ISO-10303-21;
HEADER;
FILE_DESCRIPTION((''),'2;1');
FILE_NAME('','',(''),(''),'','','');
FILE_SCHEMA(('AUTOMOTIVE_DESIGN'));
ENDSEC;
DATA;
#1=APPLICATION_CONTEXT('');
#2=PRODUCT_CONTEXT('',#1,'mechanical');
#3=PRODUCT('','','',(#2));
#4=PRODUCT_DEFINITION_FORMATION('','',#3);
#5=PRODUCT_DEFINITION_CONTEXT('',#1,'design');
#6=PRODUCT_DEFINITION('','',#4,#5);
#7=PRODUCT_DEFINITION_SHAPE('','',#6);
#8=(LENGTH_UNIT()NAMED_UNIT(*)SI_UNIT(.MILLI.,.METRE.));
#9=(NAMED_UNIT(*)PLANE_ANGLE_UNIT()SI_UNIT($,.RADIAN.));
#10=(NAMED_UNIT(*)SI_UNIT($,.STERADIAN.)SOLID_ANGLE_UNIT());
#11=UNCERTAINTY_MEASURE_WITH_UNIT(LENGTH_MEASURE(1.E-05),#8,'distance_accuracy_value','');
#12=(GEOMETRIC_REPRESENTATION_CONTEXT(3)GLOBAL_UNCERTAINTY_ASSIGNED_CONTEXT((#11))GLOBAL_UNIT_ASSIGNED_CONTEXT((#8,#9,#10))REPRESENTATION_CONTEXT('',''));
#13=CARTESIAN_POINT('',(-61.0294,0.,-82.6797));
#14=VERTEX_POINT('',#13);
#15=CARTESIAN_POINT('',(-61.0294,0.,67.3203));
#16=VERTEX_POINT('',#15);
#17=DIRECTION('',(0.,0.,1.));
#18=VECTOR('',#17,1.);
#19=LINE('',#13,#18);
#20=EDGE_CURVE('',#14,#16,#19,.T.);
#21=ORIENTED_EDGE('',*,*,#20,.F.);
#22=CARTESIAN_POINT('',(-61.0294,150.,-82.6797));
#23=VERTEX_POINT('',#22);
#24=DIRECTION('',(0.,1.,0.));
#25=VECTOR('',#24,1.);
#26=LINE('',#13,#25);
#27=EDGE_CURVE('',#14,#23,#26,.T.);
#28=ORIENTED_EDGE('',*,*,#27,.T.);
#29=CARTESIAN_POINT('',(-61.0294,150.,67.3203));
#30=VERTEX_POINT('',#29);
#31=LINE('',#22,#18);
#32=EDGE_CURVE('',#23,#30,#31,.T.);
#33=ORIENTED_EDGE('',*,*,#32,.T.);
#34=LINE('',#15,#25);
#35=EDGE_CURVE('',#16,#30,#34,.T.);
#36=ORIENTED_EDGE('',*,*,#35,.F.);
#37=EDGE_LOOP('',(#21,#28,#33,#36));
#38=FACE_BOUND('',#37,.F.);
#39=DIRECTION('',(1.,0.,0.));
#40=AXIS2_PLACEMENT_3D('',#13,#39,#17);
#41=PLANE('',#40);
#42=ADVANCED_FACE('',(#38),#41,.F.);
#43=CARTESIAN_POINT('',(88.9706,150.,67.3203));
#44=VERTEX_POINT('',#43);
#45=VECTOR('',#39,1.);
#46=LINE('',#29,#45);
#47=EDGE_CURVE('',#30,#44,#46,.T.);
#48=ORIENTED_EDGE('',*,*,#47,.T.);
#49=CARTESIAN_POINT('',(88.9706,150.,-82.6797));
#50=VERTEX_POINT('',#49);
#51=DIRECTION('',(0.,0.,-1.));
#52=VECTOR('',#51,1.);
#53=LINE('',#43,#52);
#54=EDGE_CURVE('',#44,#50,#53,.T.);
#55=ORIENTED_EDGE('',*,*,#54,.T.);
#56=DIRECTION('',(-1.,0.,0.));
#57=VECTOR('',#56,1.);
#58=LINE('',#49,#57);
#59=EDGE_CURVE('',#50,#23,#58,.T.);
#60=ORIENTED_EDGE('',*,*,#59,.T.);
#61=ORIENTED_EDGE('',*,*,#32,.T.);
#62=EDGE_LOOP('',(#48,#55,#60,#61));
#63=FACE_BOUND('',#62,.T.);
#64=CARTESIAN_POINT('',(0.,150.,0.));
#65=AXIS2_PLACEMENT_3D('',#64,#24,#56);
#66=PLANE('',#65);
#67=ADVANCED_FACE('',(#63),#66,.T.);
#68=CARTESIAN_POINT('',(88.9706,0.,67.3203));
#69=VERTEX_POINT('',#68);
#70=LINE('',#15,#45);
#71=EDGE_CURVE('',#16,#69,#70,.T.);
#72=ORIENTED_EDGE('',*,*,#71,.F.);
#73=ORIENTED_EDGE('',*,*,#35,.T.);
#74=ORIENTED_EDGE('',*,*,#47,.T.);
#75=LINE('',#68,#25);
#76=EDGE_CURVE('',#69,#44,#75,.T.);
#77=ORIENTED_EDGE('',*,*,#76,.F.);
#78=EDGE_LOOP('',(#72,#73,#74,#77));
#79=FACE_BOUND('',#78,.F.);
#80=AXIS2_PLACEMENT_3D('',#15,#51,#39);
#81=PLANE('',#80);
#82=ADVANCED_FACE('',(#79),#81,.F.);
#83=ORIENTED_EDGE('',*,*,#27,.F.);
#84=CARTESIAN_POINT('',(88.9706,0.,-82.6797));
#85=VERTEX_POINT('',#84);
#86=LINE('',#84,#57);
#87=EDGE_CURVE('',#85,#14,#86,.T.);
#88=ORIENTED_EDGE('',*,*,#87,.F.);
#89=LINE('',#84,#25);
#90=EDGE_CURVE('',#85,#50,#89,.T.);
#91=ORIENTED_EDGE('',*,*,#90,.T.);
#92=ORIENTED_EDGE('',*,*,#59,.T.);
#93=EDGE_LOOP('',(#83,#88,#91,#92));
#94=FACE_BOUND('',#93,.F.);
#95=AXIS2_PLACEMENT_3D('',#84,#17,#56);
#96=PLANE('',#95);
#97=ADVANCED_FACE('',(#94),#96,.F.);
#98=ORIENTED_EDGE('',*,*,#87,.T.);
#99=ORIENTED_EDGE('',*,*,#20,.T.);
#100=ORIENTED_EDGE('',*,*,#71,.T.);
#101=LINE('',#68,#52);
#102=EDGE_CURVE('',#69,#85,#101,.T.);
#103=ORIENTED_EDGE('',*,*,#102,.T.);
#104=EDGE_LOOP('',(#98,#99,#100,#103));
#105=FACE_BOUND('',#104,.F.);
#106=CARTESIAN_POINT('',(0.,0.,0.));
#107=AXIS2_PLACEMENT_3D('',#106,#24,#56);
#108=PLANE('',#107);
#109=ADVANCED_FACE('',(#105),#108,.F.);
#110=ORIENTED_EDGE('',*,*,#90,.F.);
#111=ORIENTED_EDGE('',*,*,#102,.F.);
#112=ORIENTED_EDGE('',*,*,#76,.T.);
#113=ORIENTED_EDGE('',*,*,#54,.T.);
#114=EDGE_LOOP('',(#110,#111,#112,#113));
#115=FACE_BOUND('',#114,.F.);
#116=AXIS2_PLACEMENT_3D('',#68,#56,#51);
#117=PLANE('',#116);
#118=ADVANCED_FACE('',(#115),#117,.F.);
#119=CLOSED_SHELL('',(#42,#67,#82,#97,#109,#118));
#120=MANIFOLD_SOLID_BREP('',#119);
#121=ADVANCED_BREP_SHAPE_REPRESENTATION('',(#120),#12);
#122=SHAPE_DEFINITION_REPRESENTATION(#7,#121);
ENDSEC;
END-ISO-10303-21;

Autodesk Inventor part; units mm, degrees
ref_plane "YZ Plane" through (0, 0, 0) normal (1, 0, 0) x (0, 1, 0)
ref_plane "XZ Plane" through (0, 0, 0) normal (0, 1, 0) x (-1, 0, 0)
ref_plane "XY Plane" through (0, 0, 0) normal (0, 0, 1) x (1, 0, 0)
sketch "Sketch1" plane through (0, 0, 0) normal (0, 1, 0) x (-1, 0, 0)
  line L0 (61.0294, 67.3203) -> (-88.9706, 67.3203)
  line L1 (-88.9706, 67.3203) -> (-88.9706, -82.6797)
  line L2 (-88.9706, -82.6797) -> (61.0294, -82.6797)
  line L3 (61.0294, -82.6797) -> (61.0294, 67.3203)
  point P0 (0, 0)
  dimension "d0" = 150
extrude "Extrusion1" add sketch "Sketch1" along normal blind 150
properties part number "Cube"
